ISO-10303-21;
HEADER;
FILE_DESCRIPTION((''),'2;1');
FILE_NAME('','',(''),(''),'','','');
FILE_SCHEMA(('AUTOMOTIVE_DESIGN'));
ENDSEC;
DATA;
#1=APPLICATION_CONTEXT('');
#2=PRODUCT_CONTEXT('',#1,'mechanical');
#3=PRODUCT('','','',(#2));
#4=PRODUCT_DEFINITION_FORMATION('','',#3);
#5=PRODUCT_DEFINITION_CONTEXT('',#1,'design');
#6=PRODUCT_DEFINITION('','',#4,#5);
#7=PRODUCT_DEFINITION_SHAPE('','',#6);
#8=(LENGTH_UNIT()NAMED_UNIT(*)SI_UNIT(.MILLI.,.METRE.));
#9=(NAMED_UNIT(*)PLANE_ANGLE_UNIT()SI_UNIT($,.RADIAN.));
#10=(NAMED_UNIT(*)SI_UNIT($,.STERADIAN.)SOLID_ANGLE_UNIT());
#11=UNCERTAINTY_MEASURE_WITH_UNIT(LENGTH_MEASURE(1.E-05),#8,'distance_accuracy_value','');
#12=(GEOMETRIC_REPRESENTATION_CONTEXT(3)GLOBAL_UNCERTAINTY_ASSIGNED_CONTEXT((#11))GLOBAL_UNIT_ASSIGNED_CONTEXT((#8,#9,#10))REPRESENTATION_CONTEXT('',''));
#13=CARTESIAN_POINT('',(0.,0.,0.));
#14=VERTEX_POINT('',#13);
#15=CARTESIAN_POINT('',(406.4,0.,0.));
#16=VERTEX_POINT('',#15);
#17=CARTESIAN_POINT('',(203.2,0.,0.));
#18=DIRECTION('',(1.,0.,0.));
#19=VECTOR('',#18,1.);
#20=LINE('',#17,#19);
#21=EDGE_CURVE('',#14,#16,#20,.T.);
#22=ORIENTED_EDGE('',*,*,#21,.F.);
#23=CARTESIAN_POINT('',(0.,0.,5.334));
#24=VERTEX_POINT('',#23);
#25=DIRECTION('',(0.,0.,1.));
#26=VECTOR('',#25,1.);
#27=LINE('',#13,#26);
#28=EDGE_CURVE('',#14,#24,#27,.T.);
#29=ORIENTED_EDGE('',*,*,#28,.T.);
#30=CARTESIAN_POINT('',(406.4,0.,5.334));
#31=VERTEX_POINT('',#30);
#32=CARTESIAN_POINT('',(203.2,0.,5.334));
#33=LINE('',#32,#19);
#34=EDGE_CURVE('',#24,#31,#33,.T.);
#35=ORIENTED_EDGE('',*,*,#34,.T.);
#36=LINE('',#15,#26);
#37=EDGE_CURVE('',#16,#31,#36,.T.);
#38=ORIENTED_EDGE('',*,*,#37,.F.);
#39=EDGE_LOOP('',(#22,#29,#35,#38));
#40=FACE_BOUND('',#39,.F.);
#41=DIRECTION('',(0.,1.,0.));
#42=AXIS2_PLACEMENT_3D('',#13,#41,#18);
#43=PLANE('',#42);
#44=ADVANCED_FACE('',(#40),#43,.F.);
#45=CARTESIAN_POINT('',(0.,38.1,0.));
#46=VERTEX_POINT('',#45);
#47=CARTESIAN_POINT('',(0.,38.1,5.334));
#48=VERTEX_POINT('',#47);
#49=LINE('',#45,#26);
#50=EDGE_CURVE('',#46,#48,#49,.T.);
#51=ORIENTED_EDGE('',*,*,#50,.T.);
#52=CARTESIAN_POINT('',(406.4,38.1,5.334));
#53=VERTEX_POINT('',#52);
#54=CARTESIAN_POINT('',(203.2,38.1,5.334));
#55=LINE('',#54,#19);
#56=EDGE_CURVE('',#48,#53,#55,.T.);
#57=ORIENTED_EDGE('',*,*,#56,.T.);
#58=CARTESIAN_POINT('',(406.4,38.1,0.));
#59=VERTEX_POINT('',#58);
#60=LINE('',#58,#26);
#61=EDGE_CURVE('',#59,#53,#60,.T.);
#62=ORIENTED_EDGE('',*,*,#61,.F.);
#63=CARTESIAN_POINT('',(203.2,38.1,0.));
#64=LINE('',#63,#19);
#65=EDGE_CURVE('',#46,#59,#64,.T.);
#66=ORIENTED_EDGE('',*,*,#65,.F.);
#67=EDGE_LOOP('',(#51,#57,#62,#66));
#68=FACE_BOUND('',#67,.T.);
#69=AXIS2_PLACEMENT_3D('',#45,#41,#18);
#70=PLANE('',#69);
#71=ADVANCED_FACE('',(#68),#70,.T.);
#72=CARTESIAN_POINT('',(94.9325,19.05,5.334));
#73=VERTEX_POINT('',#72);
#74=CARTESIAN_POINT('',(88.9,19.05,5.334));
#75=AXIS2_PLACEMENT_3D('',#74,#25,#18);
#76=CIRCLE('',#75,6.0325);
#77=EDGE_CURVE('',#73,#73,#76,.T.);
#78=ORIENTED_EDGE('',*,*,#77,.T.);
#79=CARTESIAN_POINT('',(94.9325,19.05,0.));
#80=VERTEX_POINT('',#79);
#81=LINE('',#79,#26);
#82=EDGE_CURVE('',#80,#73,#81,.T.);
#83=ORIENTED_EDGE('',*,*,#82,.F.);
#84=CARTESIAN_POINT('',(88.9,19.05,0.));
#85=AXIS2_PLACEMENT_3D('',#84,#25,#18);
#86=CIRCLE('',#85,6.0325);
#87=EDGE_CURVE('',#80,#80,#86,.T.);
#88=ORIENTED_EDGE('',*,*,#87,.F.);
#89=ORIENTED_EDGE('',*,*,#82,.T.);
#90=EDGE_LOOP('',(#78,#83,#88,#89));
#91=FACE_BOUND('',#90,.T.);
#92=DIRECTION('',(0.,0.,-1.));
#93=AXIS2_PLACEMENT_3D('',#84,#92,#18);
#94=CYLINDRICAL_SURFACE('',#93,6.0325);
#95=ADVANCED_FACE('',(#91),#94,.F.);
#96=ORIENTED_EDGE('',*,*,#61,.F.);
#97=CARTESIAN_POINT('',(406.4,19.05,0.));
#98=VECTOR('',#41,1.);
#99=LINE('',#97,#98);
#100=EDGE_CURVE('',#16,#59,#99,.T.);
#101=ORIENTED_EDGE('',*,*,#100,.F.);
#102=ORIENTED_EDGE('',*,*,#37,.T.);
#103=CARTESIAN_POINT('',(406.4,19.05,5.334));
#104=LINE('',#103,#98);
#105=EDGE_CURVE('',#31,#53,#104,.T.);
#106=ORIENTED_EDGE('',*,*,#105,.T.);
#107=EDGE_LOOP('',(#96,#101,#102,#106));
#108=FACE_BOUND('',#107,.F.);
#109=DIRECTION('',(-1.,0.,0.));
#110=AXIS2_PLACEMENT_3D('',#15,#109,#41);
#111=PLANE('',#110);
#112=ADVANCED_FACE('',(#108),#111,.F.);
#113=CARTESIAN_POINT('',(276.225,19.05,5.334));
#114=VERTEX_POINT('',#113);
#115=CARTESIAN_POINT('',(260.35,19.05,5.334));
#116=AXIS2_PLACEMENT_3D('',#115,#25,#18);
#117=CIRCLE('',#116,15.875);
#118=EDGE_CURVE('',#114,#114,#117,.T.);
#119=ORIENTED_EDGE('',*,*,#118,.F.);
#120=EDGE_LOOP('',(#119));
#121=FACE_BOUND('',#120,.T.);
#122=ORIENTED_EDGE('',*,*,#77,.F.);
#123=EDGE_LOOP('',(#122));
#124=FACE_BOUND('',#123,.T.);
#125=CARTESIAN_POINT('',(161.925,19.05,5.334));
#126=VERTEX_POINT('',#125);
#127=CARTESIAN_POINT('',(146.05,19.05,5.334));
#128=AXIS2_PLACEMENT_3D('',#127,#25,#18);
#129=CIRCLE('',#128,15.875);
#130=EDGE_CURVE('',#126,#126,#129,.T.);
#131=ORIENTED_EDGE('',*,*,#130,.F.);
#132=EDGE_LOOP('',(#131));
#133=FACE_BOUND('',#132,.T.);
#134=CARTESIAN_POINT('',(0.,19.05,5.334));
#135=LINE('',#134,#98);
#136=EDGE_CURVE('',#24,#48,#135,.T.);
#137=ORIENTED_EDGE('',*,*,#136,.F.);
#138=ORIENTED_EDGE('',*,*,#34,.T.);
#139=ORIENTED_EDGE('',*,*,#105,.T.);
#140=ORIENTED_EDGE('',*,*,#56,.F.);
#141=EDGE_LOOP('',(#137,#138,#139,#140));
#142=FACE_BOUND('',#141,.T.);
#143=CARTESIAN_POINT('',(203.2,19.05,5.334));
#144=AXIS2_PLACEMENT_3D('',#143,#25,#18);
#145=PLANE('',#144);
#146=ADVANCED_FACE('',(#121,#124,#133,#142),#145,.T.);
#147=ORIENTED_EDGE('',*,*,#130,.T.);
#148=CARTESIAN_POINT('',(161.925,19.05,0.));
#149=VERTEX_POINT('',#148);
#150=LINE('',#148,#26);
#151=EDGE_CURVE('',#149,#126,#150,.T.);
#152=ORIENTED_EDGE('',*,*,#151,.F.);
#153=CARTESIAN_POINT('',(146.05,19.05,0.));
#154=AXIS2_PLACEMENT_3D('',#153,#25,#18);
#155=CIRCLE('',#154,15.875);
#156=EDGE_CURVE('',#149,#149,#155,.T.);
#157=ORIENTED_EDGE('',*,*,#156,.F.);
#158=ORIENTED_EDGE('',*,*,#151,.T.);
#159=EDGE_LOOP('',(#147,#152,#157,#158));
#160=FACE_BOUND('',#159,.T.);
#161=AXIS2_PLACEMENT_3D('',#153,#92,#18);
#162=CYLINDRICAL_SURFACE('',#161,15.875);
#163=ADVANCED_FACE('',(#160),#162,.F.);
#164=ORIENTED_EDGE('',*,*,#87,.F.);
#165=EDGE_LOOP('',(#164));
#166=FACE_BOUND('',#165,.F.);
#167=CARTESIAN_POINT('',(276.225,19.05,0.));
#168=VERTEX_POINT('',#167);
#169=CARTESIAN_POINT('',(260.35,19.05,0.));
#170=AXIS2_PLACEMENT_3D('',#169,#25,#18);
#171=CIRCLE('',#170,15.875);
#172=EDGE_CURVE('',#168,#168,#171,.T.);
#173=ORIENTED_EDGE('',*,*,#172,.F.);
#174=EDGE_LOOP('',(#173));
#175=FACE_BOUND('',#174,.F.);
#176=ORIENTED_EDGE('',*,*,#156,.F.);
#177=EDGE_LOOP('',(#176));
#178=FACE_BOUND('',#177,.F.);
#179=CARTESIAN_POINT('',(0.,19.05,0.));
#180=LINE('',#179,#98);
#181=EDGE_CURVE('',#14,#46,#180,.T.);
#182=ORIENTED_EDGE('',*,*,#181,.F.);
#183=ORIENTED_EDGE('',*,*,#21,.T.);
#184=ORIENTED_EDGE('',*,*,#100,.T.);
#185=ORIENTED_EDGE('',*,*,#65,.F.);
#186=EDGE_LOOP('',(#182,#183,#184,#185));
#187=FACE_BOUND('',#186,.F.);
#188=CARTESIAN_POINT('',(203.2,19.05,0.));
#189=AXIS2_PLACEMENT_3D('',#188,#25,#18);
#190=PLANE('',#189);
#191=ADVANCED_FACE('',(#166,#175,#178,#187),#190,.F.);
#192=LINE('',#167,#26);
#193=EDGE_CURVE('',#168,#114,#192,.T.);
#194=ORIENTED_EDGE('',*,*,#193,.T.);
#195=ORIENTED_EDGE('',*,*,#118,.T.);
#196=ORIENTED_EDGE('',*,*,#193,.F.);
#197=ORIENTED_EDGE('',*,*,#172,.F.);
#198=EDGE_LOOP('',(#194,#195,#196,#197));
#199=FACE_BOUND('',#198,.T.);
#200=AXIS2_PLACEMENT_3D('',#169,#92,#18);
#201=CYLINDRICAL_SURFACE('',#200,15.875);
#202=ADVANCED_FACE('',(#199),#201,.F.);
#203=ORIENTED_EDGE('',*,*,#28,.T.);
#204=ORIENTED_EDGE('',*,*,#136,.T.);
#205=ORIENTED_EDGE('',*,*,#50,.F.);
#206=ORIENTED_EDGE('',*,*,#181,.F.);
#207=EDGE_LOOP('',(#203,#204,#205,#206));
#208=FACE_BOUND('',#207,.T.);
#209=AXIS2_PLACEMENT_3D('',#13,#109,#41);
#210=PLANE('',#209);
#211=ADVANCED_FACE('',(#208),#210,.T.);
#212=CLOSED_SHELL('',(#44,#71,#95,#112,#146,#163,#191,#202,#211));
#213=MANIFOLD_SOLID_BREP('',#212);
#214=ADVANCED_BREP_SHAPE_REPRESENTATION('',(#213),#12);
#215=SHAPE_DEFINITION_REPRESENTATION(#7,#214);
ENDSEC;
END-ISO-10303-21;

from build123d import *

# Parameters (mm, degrees)
F0_W     = 406.4
F0_H     = 38.1
F0_R     = 6.0325
F0_R_2   = 15.875
F1_DEPTH = 5.334


with BuildPart() as f1:
    # F0 (on Top) → F1 (new body)
    with BuildSketch(Plane.XY):
        with Locations((203.2, 19.05)):
            Rectangle(F0_W, F0_H)
        with Locations((88.9, 19.05)):
            Circle(F0_R, mode=Mode.SUBTRACT)
        with Locations((146.05, 19.05)):
            Circle(F0_R_2, mode=Mode.SUBTRACT)
        with Locations((260.35, 19.05)):
            Circle(F0_R_2, mode=Mode.SUBTRACT)
    extrude(amount=F1_DEPTH)


solid = f1.part
